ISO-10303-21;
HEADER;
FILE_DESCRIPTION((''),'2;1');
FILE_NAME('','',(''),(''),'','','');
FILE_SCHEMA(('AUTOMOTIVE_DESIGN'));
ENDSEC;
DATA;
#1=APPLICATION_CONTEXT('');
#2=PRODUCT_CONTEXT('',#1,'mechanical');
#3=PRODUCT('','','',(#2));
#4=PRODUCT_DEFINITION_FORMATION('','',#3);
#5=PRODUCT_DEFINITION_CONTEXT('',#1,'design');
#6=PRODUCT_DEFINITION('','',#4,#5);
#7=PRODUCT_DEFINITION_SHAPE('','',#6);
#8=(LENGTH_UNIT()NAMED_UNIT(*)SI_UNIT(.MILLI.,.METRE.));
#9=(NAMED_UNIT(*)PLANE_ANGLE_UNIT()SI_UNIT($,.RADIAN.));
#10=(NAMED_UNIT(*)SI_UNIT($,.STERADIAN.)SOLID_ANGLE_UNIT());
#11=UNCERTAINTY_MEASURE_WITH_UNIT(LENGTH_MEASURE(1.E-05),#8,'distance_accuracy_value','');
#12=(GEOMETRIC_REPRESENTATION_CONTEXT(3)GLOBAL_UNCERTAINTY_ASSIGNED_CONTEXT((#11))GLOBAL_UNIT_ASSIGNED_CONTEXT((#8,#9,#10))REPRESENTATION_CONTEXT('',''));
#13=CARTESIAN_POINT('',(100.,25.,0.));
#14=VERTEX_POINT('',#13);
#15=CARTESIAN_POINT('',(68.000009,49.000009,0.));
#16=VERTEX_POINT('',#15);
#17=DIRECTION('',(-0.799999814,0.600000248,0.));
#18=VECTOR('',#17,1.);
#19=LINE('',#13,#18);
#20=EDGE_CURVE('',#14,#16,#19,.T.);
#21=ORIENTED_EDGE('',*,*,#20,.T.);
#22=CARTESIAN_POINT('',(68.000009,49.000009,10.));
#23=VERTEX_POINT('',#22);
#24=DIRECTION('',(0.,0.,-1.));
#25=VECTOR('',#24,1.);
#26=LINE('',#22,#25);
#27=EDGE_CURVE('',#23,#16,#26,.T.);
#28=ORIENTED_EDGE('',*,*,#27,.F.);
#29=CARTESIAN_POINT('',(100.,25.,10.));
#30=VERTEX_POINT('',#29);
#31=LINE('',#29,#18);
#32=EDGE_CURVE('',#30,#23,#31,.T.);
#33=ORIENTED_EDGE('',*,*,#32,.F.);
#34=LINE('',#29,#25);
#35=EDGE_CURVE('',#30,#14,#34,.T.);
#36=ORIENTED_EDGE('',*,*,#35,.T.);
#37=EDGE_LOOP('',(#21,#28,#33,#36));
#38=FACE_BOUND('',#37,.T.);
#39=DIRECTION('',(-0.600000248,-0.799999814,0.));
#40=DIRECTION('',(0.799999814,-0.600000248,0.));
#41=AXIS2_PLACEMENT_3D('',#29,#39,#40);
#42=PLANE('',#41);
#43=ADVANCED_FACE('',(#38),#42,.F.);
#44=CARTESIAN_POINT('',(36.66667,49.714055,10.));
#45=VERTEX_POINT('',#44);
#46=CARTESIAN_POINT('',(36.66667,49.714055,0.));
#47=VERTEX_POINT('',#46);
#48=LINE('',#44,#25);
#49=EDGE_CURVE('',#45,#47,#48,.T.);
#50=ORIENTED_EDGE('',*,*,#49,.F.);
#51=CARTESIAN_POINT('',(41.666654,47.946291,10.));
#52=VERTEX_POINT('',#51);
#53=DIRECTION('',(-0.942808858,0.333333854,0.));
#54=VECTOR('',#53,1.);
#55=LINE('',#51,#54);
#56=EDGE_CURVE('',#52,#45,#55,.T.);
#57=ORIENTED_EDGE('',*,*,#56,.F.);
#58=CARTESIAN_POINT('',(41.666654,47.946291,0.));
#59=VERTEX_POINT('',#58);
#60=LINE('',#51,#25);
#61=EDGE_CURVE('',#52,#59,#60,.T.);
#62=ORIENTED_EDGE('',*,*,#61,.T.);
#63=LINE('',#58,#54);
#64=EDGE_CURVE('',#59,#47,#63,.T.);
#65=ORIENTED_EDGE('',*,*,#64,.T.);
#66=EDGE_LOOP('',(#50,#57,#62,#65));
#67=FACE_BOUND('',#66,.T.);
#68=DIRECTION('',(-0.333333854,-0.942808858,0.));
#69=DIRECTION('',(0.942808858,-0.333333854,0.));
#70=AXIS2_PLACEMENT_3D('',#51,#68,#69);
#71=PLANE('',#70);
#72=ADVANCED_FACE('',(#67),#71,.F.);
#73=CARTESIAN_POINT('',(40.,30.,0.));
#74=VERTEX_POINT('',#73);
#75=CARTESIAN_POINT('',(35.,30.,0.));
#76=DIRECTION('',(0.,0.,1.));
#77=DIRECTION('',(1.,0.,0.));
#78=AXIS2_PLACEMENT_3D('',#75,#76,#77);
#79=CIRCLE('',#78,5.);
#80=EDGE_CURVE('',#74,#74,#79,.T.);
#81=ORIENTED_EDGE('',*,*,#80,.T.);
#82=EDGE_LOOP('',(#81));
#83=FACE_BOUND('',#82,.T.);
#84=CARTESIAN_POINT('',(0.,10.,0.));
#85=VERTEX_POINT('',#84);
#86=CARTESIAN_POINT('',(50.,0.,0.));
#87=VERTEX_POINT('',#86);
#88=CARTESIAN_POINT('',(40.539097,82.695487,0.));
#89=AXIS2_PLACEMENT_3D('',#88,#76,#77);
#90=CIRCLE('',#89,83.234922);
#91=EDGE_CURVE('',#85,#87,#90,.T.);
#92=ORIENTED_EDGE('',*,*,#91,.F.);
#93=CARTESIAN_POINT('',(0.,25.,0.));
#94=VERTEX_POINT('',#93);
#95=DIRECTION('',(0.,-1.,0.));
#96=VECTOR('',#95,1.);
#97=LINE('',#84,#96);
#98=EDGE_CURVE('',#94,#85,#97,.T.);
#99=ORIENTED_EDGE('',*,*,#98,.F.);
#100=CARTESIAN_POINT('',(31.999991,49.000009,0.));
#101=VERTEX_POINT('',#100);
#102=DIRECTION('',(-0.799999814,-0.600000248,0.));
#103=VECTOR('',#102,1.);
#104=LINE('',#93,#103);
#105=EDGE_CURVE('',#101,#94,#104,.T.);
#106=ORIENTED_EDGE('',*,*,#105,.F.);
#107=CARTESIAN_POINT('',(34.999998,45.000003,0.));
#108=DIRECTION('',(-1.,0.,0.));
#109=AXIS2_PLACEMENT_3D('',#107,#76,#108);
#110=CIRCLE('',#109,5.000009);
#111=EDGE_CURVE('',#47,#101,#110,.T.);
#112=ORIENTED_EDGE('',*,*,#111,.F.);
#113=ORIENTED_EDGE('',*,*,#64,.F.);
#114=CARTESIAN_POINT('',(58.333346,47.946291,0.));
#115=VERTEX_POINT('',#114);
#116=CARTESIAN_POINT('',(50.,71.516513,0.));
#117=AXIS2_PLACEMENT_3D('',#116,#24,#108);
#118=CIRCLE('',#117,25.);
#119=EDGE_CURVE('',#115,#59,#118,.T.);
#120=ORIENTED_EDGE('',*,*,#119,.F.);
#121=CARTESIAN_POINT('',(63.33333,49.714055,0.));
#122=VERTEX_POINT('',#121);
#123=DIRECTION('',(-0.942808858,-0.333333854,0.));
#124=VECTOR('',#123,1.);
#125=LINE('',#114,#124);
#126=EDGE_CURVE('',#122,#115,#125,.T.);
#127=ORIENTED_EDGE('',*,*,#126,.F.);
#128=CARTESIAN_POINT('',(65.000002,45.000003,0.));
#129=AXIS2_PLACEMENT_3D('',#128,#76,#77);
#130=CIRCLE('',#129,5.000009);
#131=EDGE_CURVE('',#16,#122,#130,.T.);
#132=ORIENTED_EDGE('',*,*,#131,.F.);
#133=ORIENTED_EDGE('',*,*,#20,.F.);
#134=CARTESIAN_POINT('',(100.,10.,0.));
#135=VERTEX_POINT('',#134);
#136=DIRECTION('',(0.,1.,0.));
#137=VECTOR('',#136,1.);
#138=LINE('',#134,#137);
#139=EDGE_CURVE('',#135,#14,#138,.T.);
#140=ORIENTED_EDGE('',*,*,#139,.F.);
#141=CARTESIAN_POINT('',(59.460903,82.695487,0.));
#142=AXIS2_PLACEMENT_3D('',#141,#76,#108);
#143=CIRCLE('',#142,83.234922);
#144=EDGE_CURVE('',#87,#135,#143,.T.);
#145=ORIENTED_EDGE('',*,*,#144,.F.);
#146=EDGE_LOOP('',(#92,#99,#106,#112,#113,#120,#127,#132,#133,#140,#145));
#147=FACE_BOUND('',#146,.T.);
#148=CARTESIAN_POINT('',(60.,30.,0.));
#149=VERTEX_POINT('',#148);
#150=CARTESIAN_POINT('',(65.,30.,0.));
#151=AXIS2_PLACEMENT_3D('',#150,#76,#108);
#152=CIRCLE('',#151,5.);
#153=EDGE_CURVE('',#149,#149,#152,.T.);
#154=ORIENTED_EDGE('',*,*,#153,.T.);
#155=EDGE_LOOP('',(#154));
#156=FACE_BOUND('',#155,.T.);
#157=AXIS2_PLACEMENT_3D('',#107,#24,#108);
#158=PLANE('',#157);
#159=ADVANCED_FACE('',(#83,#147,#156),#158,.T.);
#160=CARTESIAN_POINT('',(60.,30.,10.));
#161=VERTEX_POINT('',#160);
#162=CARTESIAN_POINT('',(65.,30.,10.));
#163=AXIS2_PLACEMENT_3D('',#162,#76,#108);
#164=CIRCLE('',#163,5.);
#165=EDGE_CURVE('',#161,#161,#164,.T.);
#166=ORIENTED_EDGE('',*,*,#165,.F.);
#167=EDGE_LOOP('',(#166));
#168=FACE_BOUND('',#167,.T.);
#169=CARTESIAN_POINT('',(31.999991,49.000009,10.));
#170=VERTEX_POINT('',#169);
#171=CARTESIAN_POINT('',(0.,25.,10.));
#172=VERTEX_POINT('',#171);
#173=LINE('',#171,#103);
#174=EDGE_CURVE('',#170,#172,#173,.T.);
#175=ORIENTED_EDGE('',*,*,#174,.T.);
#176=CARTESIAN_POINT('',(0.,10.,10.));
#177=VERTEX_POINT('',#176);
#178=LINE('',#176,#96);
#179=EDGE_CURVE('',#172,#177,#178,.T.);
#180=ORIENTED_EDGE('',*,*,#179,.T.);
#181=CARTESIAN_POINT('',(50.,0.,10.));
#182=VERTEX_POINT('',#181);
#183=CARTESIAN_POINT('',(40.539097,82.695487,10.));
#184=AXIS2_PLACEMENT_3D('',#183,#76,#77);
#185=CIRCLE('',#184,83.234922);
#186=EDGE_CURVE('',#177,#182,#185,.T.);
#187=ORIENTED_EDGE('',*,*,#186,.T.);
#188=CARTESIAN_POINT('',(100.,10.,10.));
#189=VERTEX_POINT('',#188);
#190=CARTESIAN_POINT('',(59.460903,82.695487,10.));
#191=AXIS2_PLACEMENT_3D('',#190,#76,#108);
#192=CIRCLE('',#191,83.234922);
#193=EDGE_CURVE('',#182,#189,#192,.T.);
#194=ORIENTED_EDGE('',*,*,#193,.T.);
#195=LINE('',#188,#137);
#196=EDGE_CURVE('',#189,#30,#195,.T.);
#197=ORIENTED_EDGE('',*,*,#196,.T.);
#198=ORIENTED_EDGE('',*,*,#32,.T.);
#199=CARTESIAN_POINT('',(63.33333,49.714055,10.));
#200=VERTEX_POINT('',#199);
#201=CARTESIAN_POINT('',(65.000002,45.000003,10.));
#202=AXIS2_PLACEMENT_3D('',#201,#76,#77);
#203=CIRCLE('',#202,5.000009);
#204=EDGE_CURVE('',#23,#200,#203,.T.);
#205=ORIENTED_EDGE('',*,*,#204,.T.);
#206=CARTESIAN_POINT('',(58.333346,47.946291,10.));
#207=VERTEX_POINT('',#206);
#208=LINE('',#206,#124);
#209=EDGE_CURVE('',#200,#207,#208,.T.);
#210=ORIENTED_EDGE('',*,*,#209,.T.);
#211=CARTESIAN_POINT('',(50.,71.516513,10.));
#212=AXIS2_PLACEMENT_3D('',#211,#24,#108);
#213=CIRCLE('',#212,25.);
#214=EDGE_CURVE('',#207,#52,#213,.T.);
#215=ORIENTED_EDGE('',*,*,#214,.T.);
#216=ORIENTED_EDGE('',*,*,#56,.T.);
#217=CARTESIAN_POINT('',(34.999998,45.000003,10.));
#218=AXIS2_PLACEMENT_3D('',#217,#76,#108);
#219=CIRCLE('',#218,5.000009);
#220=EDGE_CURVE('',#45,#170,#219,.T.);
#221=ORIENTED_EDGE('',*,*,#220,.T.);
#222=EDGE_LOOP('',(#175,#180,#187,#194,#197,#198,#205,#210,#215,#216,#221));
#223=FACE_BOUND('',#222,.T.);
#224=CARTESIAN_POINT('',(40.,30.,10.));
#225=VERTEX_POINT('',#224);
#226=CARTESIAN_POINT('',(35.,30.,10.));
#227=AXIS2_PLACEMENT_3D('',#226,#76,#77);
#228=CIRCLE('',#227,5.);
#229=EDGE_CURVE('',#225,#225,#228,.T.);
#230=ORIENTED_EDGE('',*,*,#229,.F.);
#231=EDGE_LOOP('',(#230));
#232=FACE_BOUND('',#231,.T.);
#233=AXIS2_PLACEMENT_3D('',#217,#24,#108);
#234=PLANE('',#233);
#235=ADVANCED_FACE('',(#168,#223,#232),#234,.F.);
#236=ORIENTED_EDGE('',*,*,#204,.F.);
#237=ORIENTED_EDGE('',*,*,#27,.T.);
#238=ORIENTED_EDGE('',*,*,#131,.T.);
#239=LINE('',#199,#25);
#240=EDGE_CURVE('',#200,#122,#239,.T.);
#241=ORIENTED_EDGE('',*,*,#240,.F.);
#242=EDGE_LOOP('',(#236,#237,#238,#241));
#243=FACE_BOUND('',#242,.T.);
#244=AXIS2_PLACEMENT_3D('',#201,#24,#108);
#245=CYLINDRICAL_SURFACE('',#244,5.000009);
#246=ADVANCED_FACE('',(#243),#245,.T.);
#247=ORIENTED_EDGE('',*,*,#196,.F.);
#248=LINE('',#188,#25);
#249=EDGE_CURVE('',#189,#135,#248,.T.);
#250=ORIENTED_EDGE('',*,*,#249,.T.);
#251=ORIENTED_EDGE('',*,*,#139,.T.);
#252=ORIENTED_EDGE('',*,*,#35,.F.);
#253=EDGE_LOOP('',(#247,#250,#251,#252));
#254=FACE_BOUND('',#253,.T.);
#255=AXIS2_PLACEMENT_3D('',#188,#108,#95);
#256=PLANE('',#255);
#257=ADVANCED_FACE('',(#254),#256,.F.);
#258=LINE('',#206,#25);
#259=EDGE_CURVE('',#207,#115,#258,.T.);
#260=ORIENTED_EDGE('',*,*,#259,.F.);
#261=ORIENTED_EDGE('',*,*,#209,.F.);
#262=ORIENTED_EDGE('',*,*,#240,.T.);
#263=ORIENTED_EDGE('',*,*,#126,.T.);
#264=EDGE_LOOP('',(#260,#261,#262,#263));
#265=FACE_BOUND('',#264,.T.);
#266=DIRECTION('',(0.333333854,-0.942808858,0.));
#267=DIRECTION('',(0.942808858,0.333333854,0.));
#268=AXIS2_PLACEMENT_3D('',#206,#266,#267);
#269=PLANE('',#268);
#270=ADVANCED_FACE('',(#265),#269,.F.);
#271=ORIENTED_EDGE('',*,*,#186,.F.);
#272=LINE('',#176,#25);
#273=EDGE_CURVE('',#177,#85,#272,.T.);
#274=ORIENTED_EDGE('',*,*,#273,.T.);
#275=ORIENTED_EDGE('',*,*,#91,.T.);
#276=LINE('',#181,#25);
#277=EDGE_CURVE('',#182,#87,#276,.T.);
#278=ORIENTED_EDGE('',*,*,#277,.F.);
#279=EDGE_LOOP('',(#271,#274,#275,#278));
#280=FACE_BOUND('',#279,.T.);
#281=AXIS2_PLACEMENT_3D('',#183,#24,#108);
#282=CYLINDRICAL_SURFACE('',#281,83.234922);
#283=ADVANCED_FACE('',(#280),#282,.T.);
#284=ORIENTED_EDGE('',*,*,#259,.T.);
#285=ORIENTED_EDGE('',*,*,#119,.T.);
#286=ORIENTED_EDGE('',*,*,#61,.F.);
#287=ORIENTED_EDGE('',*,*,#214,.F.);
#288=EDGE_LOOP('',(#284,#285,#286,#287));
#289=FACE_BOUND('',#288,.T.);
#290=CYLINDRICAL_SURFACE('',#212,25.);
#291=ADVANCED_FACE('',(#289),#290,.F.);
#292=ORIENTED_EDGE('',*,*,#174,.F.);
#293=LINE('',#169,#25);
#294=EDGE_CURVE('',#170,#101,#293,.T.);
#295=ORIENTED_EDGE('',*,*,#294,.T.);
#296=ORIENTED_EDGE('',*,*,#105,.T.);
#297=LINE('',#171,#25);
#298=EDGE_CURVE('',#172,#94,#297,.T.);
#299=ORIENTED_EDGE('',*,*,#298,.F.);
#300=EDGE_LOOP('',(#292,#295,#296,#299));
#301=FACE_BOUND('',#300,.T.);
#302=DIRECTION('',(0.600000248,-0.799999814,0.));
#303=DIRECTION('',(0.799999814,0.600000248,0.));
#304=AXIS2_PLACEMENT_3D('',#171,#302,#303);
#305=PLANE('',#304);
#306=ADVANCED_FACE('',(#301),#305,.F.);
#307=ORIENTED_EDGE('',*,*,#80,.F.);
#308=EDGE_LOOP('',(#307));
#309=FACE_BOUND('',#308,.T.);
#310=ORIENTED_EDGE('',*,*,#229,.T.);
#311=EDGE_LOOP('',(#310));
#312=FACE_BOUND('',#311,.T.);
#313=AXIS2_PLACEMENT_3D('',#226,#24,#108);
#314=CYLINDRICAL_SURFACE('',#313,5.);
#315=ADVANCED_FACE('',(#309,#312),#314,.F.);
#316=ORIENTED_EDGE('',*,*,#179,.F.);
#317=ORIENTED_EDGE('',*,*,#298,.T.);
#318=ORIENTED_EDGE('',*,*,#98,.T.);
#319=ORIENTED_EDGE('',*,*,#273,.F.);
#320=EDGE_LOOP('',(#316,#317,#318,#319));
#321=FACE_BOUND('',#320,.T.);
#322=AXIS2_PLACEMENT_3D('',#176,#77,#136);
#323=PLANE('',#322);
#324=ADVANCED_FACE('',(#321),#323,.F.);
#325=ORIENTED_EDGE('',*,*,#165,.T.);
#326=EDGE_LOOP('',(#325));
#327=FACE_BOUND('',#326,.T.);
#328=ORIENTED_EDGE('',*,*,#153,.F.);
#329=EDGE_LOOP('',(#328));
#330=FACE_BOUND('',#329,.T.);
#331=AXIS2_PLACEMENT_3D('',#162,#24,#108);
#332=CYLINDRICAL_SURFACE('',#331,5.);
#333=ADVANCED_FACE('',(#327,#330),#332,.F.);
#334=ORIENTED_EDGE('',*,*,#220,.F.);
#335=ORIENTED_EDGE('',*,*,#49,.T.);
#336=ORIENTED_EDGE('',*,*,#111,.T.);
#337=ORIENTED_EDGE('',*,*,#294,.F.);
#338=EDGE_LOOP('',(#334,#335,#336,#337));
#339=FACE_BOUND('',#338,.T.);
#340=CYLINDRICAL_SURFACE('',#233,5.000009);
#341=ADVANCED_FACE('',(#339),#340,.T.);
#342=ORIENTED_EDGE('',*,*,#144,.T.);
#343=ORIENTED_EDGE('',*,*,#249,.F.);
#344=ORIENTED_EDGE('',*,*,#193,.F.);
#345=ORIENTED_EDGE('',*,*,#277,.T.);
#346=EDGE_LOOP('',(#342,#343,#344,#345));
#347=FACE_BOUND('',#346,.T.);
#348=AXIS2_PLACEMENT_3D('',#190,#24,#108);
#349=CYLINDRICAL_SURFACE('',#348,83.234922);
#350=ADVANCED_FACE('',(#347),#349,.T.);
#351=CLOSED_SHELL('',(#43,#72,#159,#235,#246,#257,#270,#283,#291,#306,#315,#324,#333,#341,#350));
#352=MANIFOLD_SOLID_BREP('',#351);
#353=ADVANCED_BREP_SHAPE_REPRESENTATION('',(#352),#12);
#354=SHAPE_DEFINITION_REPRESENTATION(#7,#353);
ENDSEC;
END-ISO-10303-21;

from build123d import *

# Parameters (mm, degrees)
SZKIC1_R                    = 5
DODANIE_WYCI_GNI_CIE1_DEPTH = 10


with BuildPart() as part:
    # Szkic1 → Dodanie-wyciągnięcie1 (new body)
    with BuildSketch(Plane.XY):
        with BuildLine():
            Line((0, 10), (0, 25))
            Line((0, 25), (31.999991312, 49.000008999))
            ThreePointArc((31.999991312, 49.000008999), (34.24374996, 49.942489803), (36.666669828, 49.714055442))
            Line((36.666669828, 49.714055442), (41.666653651, 47.946291102))
            ThreePointArc((41.666653651, 47.946291102), (50, 46.51651254), (58.333346349, 47.946291102))
            Line((58.333346349, 47.946291102), (63.333330172, 49.714055442))
            ThreePointArc((63.333330172, 49.714055442), (65.75625004, 49.942489803), (68.000008688, 49.000008999))
            Line((68.000008688, 49.000008999), (100, 25))
            Line((100, 25), (100, 10))
            ThreePointArc((100, 10), (75.784613824, 1.076930879), (50, 0))
            ThreePointArc((50, 0), (24.215386176, 1.076930879), (0, 10))
        make_face()
        with Locations((35, 30)):
            Circle(SZKIC1_R, mode=Mode.SUBTRACT)
        with Locations(Location((65, 30, 0), (0, 0, 180))):
            Circle(SZKIC1_R, mode=Mode.SUBTRACT)
    extrude(amount=DODANIE_WYCI_GNI_CIE1_DEPTH)


solid = part.part
